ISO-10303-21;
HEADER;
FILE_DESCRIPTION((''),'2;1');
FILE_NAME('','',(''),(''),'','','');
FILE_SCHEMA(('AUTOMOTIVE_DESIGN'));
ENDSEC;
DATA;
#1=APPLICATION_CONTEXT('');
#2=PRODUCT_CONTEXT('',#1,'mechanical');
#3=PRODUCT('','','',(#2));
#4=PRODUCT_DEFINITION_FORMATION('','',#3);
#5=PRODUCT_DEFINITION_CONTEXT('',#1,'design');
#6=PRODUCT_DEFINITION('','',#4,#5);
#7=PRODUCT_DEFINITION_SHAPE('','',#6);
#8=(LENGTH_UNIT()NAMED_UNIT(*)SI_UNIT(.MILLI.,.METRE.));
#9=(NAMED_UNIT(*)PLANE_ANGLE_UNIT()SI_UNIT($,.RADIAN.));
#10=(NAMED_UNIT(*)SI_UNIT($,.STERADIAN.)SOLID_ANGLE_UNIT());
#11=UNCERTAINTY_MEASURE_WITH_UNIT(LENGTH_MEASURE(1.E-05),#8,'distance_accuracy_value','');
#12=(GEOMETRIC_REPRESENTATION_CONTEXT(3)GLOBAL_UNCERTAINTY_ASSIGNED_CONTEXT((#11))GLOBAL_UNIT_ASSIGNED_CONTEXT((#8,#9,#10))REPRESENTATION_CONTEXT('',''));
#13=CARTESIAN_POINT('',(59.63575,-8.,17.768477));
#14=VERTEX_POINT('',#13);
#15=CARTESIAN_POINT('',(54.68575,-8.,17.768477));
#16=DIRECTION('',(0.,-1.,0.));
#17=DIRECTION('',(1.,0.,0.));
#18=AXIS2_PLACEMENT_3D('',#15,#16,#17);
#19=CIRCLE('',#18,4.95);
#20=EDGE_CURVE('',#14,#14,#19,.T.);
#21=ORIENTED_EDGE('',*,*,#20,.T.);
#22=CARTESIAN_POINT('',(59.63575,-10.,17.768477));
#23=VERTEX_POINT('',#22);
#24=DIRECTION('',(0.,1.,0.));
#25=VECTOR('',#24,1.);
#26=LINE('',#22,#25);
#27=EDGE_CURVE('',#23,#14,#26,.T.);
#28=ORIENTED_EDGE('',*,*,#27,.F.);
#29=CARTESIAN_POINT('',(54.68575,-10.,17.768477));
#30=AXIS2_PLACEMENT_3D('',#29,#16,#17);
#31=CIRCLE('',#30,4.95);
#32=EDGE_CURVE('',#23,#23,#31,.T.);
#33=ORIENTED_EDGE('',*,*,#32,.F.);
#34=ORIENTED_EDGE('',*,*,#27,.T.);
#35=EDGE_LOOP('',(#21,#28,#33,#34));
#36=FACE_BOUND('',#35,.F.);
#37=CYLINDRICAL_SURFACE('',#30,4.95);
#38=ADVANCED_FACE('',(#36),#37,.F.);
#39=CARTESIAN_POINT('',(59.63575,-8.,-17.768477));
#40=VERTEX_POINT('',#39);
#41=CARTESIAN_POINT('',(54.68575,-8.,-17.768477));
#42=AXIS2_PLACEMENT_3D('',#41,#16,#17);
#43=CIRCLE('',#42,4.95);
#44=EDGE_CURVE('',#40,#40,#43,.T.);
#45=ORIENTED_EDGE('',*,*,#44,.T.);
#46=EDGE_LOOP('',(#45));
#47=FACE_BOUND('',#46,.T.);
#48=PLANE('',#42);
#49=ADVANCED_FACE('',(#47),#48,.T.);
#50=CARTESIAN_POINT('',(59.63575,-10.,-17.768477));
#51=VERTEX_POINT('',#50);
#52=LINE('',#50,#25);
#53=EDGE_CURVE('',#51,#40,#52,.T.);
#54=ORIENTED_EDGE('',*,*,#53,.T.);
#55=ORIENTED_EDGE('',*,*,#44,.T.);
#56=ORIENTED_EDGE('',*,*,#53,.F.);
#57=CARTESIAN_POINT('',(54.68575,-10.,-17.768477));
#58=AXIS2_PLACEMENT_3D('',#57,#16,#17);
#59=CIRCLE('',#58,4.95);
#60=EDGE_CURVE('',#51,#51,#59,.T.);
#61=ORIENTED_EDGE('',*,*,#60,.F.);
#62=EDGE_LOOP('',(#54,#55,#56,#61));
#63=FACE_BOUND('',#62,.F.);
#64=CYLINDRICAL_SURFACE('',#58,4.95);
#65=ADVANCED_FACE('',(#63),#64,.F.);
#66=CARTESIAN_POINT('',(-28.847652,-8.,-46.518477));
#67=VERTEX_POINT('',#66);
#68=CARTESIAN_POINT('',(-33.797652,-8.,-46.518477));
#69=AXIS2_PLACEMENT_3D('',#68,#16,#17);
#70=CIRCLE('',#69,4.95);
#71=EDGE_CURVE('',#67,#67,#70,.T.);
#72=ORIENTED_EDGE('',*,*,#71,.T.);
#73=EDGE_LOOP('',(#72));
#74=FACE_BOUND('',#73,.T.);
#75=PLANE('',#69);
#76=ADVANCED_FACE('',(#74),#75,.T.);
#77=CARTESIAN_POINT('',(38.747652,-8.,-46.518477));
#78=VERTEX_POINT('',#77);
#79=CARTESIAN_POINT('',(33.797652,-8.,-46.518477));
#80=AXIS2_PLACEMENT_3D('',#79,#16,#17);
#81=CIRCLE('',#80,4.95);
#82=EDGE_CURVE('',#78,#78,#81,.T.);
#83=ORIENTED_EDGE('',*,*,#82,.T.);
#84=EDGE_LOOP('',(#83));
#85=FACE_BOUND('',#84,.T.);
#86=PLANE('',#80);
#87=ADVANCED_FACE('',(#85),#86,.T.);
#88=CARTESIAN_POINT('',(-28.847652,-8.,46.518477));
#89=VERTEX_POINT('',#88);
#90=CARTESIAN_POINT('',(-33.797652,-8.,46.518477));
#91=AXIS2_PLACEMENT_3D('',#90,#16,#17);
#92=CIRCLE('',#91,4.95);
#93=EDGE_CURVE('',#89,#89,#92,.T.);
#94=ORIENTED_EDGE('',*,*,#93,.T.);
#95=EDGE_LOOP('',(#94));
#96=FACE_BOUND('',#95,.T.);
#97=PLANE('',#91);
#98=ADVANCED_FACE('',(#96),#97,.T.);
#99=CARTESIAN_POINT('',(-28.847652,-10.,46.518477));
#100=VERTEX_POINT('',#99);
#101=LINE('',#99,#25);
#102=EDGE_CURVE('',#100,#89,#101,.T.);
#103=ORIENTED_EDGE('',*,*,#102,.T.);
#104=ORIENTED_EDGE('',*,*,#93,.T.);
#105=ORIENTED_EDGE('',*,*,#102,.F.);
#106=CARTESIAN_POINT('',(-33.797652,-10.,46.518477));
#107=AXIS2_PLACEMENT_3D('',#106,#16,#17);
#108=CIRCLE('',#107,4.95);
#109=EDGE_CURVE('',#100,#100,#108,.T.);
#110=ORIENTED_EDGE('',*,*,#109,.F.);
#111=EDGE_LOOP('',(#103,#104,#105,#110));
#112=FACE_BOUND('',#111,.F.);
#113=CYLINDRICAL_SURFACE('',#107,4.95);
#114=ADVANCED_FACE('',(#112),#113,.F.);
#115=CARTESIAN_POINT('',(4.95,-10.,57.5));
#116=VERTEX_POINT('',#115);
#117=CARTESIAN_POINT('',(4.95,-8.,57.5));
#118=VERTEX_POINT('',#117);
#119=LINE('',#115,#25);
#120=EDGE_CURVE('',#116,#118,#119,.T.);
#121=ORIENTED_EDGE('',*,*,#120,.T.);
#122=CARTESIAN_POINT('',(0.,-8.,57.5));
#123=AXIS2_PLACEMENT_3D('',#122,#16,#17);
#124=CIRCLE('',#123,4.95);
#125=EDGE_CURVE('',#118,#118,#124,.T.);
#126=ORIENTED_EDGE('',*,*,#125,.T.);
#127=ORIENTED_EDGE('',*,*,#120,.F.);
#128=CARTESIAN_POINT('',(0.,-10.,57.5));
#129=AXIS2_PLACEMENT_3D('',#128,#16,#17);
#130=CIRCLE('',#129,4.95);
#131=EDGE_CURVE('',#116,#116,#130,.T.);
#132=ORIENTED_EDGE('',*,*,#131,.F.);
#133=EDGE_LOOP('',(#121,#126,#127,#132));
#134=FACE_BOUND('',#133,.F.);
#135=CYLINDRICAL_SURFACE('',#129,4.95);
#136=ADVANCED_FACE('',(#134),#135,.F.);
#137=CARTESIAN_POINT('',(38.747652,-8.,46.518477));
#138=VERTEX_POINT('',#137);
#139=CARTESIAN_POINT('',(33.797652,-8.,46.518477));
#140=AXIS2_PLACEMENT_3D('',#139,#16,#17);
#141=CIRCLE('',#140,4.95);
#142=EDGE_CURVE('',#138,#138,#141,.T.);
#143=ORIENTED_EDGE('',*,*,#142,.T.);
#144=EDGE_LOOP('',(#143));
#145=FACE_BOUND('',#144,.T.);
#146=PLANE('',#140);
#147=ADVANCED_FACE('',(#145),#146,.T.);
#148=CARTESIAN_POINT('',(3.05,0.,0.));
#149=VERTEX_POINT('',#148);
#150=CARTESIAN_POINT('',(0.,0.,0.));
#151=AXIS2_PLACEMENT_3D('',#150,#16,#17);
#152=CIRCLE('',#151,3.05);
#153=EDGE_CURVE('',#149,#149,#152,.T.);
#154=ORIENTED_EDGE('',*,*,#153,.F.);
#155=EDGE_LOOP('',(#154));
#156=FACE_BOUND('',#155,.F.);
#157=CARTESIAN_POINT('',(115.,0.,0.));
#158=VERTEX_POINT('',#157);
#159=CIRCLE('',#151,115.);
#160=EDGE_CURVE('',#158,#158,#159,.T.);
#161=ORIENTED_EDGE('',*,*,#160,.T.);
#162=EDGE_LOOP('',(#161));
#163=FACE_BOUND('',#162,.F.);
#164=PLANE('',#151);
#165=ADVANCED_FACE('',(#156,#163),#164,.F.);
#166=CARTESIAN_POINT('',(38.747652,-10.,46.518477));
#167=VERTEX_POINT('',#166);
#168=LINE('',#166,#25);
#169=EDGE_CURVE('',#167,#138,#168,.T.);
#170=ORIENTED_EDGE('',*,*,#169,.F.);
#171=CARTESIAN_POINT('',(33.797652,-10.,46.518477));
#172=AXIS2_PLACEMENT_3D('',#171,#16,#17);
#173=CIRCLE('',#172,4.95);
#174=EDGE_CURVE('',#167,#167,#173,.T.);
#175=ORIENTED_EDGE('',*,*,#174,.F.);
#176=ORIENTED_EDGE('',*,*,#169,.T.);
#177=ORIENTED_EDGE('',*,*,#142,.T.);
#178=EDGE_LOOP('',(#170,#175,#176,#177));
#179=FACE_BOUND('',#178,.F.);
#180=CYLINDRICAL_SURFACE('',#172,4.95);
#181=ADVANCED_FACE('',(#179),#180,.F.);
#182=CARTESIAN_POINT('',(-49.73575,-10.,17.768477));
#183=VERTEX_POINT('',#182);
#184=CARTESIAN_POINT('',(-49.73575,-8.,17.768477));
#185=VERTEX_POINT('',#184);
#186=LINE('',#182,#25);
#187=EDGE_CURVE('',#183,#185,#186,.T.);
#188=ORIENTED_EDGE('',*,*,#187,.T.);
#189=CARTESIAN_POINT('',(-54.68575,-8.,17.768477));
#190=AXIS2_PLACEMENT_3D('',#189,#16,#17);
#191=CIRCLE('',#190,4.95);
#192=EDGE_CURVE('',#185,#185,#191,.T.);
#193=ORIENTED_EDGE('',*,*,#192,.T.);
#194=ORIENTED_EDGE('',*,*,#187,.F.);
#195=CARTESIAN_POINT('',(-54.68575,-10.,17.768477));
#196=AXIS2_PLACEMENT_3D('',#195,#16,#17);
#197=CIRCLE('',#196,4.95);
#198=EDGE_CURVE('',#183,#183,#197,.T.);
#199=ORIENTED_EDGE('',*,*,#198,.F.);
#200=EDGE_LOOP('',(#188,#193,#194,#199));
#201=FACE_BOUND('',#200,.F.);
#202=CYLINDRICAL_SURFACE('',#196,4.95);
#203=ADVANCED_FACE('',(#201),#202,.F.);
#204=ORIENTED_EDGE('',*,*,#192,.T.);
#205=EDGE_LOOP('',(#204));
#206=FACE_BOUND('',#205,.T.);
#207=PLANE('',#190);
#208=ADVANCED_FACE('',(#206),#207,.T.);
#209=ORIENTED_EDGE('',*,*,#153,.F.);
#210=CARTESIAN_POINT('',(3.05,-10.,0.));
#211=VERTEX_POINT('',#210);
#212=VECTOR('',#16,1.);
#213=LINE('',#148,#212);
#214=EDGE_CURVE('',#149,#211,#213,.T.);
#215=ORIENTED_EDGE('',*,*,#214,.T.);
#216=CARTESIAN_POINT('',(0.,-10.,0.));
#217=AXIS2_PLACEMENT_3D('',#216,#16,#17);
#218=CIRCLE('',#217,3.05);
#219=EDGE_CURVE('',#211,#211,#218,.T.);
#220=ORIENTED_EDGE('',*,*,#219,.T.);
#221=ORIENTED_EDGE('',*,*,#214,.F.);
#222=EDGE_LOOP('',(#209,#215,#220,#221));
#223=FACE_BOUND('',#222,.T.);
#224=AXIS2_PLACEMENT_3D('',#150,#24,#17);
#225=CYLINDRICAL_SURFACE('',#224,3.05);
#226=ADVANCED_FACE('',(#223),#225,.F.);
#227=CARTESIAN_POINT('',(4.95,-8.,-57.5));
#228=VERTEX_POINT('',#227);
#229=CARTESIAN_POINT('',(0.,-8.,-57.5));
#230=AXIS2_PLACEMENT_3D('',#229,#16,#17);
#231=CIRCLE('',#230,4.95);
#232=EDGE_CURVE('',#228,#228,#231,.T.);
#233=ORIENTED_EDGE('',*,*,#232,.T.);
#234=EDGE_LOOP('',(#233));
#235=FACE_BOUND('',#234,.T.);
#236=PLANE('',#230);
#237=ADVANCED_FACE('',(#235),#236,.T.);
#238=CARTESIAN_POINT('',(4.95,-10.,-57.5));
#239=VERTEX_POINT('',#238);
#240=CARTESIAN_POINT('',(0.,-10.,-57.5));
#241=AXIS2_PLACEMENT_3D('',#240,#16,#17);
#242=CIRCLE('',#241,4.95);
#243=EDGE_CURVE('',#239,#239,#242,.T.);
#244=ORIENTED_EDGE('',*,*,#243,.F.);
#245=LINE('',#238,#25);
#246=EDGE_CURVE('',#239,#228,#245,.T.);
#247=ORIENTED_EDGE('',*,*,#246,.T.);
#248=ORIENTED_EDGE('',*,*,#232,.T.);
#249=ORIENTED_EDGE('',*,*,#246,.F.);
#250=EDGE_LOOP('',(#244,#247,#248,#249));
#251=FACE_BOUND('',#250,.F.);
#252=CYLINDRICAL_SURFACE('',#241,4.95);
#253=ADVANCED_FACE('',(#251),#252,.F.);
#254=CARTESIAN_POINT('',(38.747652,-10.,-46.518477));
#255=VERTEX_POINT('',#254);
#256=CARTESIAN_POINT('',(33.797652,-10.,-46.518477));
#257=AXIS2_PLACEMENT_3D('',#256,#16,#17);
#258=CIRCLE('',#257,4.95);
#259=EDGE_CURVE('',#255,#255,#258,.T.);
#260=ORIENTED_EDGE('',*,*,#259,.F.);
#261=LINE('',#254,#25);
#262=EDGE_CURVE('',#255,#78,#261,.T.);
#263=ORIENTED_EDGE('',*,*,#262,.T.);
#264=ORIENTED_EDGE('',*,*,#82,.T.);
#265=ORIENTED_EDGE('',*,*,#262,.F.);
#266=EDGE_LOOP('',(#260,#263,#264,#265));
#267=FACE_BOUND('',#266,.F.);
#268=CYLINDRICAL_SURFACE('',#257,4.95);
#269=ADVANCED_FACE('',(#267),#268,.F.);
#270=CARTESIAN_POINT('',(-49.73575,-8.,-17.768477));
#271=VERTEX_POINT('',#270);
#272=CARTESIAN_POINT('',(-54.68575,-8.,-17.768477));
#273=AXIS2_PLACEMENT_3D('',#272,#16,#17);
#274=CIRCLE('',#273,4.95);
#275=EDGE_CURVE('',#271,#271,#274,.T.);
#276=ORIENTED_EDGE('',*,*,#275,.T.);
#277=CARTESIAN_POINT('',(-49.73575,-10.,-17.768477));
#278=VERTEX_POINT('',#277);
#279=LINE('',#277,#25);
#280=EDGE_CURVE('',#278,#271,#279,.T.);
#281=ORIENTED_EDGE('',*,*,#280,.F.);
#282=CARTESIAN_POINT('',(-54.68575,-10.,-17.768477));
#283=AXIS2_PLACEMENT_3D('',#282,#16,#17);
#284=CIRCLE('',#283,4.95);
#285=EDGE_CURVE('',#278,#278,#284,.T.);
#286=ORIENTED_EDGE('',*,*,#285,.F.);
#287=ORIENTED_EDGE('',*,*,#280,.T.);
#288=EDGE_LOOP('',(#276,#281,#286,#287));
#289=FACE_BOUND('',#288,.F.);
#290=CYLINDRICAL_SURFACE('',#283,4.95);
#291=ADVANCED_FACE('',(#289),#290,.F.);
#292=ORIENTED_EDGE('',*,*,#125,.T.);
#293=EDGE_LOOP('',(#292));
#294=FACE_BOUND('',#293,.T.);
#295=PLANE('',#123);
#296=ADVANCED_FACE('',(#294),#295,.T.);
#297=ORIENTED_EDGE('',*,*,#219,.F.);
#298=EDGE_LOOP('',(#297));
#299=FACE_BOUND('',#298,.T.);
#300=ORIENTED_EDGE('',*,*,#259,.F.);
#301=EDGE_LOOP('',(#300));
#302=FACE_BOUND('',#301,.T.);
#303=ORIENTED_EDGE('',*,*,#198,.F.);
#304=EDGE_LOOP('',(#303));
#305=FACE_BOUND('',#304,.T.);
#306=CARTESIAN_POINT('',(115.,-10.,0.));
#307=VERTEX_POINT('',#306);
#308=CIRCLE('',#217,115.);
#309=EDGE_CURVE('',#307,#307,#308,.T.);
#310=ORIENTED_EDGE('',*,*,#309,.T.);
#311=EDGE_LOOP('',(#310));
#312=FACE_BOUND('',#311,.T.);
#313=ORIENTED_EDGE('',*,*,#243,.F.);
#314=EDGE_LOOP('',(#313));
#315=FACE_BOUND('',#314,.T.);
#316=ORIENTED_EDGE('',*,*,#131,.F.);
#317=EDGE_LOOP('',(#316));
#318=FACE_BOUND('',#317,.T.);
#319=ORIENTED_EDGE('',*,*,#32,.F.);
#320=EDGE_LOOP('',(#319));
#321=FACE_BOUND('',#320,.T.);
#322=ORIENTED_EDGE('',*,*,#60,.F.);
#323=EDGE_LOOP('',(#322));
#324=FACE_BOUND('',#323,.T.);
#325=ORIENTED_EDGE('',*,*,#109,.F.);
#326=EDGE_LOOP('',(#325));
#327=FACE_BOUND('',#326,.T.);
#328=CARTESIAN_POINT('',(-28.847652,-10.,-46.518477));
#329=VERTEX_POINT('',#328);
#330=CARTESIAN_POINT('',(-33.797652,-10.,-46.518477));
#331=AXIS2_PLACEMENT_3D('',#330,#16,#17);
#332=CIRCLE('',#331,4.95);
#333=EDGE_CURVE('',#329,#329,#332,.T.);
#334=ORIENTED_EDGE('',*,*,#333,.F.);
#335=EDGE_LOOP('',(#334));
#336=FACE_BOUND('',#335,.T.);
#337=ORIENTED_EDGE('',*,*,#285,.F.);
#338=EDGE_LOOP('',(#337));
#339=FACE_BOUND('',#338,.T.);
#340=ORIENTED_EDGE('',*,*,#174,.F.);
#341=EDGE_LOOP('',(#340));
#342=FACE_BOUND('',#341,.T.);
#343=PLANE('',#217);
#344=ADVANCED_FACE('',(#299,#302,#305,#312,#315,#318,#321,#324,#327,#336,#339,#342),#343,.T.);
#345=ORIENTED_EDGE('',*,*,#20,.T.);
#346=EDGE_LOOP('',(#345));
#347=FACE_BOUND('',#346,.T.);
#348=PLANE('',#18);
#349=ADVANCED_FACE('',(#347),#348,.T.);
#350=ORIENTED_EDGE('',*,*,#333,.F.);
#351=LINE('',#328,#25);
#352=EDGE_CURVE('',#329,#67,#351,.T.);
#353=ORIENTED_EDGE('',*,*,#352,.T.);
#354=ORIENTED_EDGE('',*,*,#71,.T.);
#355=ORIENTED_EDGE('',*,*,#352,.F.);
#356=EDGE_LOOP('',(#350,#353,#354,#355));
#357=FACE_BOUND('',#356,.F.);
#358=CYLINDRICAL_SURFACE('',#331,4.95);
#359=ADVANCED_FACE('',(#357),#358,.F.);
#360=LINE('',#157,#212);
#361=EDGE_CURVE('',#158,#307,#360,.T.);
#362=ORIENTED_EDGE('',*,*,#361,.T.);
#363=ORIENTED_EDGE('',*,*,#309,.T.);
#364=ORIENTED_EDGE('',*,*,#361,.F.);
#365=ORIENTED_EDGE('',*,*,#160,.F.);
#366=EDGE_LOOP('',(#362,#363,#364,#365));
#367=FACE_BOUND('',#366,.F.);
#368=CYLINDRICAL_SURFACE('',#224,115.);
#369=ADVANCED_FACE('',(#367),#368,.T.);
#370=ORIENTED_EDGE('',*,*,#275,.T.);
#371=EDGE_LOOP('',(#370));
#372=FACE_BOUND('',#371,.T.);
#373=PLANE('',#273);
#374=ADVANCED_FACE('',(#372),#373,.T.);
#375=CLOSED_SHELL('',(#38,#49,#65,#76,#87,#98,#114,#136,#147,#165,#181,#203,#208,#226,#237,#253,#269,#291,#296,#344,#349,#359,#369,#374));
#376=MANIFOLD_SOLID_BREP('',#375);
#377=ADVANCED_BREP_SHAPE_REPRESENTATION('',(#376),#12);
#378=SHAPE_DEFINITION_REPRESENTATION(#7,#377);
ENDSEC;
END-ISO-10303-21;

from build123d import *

# Parameters (mm, degrees)
F0_R     = 115
F0_R_2   = 3.05
F1_DEPTH = 10
F2_R     = 4.95
F3_DEPTH = 2


with BuildPart() as f1:
    # F0 (on Front) → F1 (new body)
    with BuildSketch(Plane.XZ):
        Circle(F0_R)
        Circle(F0_R_2, mode=Mode.SUBTRACT)
    extrude(amount=F1_DEPTH)

    # F2 (on face) → F3 (cut)
    with BuildSketch(Plane.XZ.offset(10)):
        with Locations((0, 57.5)):
            Circle(F2_R)
        with Locations((-33.797652, 46.518477)):
            Circle(F2_R)
        with Locations((-54.68575, 17.768477)):
            Circle(F2_R)
        with Locations((-54.68575, -17.768477)):
            Circle(F2_R)
        with Locations((-33.797652, -46.518477)):
            Circle(F2_R)
        with Locations((0, -57.5)):
            Circle(F2_R)
        with Locations((33.797652, -46.518477)):
            Circle(F2_R)
        with Locations((54.68575, -17.768477)):
            Circle(F2_R)
        with Locations((54.68575, 17.768477)):
            Circle(F2_R)
        with Locations((33.797652, 46.518477)):
            Circle(F2_R)
    extrude(amount=-F3_DEPTH, mode=Mode.SUBTRACT)


solid = f1.part
